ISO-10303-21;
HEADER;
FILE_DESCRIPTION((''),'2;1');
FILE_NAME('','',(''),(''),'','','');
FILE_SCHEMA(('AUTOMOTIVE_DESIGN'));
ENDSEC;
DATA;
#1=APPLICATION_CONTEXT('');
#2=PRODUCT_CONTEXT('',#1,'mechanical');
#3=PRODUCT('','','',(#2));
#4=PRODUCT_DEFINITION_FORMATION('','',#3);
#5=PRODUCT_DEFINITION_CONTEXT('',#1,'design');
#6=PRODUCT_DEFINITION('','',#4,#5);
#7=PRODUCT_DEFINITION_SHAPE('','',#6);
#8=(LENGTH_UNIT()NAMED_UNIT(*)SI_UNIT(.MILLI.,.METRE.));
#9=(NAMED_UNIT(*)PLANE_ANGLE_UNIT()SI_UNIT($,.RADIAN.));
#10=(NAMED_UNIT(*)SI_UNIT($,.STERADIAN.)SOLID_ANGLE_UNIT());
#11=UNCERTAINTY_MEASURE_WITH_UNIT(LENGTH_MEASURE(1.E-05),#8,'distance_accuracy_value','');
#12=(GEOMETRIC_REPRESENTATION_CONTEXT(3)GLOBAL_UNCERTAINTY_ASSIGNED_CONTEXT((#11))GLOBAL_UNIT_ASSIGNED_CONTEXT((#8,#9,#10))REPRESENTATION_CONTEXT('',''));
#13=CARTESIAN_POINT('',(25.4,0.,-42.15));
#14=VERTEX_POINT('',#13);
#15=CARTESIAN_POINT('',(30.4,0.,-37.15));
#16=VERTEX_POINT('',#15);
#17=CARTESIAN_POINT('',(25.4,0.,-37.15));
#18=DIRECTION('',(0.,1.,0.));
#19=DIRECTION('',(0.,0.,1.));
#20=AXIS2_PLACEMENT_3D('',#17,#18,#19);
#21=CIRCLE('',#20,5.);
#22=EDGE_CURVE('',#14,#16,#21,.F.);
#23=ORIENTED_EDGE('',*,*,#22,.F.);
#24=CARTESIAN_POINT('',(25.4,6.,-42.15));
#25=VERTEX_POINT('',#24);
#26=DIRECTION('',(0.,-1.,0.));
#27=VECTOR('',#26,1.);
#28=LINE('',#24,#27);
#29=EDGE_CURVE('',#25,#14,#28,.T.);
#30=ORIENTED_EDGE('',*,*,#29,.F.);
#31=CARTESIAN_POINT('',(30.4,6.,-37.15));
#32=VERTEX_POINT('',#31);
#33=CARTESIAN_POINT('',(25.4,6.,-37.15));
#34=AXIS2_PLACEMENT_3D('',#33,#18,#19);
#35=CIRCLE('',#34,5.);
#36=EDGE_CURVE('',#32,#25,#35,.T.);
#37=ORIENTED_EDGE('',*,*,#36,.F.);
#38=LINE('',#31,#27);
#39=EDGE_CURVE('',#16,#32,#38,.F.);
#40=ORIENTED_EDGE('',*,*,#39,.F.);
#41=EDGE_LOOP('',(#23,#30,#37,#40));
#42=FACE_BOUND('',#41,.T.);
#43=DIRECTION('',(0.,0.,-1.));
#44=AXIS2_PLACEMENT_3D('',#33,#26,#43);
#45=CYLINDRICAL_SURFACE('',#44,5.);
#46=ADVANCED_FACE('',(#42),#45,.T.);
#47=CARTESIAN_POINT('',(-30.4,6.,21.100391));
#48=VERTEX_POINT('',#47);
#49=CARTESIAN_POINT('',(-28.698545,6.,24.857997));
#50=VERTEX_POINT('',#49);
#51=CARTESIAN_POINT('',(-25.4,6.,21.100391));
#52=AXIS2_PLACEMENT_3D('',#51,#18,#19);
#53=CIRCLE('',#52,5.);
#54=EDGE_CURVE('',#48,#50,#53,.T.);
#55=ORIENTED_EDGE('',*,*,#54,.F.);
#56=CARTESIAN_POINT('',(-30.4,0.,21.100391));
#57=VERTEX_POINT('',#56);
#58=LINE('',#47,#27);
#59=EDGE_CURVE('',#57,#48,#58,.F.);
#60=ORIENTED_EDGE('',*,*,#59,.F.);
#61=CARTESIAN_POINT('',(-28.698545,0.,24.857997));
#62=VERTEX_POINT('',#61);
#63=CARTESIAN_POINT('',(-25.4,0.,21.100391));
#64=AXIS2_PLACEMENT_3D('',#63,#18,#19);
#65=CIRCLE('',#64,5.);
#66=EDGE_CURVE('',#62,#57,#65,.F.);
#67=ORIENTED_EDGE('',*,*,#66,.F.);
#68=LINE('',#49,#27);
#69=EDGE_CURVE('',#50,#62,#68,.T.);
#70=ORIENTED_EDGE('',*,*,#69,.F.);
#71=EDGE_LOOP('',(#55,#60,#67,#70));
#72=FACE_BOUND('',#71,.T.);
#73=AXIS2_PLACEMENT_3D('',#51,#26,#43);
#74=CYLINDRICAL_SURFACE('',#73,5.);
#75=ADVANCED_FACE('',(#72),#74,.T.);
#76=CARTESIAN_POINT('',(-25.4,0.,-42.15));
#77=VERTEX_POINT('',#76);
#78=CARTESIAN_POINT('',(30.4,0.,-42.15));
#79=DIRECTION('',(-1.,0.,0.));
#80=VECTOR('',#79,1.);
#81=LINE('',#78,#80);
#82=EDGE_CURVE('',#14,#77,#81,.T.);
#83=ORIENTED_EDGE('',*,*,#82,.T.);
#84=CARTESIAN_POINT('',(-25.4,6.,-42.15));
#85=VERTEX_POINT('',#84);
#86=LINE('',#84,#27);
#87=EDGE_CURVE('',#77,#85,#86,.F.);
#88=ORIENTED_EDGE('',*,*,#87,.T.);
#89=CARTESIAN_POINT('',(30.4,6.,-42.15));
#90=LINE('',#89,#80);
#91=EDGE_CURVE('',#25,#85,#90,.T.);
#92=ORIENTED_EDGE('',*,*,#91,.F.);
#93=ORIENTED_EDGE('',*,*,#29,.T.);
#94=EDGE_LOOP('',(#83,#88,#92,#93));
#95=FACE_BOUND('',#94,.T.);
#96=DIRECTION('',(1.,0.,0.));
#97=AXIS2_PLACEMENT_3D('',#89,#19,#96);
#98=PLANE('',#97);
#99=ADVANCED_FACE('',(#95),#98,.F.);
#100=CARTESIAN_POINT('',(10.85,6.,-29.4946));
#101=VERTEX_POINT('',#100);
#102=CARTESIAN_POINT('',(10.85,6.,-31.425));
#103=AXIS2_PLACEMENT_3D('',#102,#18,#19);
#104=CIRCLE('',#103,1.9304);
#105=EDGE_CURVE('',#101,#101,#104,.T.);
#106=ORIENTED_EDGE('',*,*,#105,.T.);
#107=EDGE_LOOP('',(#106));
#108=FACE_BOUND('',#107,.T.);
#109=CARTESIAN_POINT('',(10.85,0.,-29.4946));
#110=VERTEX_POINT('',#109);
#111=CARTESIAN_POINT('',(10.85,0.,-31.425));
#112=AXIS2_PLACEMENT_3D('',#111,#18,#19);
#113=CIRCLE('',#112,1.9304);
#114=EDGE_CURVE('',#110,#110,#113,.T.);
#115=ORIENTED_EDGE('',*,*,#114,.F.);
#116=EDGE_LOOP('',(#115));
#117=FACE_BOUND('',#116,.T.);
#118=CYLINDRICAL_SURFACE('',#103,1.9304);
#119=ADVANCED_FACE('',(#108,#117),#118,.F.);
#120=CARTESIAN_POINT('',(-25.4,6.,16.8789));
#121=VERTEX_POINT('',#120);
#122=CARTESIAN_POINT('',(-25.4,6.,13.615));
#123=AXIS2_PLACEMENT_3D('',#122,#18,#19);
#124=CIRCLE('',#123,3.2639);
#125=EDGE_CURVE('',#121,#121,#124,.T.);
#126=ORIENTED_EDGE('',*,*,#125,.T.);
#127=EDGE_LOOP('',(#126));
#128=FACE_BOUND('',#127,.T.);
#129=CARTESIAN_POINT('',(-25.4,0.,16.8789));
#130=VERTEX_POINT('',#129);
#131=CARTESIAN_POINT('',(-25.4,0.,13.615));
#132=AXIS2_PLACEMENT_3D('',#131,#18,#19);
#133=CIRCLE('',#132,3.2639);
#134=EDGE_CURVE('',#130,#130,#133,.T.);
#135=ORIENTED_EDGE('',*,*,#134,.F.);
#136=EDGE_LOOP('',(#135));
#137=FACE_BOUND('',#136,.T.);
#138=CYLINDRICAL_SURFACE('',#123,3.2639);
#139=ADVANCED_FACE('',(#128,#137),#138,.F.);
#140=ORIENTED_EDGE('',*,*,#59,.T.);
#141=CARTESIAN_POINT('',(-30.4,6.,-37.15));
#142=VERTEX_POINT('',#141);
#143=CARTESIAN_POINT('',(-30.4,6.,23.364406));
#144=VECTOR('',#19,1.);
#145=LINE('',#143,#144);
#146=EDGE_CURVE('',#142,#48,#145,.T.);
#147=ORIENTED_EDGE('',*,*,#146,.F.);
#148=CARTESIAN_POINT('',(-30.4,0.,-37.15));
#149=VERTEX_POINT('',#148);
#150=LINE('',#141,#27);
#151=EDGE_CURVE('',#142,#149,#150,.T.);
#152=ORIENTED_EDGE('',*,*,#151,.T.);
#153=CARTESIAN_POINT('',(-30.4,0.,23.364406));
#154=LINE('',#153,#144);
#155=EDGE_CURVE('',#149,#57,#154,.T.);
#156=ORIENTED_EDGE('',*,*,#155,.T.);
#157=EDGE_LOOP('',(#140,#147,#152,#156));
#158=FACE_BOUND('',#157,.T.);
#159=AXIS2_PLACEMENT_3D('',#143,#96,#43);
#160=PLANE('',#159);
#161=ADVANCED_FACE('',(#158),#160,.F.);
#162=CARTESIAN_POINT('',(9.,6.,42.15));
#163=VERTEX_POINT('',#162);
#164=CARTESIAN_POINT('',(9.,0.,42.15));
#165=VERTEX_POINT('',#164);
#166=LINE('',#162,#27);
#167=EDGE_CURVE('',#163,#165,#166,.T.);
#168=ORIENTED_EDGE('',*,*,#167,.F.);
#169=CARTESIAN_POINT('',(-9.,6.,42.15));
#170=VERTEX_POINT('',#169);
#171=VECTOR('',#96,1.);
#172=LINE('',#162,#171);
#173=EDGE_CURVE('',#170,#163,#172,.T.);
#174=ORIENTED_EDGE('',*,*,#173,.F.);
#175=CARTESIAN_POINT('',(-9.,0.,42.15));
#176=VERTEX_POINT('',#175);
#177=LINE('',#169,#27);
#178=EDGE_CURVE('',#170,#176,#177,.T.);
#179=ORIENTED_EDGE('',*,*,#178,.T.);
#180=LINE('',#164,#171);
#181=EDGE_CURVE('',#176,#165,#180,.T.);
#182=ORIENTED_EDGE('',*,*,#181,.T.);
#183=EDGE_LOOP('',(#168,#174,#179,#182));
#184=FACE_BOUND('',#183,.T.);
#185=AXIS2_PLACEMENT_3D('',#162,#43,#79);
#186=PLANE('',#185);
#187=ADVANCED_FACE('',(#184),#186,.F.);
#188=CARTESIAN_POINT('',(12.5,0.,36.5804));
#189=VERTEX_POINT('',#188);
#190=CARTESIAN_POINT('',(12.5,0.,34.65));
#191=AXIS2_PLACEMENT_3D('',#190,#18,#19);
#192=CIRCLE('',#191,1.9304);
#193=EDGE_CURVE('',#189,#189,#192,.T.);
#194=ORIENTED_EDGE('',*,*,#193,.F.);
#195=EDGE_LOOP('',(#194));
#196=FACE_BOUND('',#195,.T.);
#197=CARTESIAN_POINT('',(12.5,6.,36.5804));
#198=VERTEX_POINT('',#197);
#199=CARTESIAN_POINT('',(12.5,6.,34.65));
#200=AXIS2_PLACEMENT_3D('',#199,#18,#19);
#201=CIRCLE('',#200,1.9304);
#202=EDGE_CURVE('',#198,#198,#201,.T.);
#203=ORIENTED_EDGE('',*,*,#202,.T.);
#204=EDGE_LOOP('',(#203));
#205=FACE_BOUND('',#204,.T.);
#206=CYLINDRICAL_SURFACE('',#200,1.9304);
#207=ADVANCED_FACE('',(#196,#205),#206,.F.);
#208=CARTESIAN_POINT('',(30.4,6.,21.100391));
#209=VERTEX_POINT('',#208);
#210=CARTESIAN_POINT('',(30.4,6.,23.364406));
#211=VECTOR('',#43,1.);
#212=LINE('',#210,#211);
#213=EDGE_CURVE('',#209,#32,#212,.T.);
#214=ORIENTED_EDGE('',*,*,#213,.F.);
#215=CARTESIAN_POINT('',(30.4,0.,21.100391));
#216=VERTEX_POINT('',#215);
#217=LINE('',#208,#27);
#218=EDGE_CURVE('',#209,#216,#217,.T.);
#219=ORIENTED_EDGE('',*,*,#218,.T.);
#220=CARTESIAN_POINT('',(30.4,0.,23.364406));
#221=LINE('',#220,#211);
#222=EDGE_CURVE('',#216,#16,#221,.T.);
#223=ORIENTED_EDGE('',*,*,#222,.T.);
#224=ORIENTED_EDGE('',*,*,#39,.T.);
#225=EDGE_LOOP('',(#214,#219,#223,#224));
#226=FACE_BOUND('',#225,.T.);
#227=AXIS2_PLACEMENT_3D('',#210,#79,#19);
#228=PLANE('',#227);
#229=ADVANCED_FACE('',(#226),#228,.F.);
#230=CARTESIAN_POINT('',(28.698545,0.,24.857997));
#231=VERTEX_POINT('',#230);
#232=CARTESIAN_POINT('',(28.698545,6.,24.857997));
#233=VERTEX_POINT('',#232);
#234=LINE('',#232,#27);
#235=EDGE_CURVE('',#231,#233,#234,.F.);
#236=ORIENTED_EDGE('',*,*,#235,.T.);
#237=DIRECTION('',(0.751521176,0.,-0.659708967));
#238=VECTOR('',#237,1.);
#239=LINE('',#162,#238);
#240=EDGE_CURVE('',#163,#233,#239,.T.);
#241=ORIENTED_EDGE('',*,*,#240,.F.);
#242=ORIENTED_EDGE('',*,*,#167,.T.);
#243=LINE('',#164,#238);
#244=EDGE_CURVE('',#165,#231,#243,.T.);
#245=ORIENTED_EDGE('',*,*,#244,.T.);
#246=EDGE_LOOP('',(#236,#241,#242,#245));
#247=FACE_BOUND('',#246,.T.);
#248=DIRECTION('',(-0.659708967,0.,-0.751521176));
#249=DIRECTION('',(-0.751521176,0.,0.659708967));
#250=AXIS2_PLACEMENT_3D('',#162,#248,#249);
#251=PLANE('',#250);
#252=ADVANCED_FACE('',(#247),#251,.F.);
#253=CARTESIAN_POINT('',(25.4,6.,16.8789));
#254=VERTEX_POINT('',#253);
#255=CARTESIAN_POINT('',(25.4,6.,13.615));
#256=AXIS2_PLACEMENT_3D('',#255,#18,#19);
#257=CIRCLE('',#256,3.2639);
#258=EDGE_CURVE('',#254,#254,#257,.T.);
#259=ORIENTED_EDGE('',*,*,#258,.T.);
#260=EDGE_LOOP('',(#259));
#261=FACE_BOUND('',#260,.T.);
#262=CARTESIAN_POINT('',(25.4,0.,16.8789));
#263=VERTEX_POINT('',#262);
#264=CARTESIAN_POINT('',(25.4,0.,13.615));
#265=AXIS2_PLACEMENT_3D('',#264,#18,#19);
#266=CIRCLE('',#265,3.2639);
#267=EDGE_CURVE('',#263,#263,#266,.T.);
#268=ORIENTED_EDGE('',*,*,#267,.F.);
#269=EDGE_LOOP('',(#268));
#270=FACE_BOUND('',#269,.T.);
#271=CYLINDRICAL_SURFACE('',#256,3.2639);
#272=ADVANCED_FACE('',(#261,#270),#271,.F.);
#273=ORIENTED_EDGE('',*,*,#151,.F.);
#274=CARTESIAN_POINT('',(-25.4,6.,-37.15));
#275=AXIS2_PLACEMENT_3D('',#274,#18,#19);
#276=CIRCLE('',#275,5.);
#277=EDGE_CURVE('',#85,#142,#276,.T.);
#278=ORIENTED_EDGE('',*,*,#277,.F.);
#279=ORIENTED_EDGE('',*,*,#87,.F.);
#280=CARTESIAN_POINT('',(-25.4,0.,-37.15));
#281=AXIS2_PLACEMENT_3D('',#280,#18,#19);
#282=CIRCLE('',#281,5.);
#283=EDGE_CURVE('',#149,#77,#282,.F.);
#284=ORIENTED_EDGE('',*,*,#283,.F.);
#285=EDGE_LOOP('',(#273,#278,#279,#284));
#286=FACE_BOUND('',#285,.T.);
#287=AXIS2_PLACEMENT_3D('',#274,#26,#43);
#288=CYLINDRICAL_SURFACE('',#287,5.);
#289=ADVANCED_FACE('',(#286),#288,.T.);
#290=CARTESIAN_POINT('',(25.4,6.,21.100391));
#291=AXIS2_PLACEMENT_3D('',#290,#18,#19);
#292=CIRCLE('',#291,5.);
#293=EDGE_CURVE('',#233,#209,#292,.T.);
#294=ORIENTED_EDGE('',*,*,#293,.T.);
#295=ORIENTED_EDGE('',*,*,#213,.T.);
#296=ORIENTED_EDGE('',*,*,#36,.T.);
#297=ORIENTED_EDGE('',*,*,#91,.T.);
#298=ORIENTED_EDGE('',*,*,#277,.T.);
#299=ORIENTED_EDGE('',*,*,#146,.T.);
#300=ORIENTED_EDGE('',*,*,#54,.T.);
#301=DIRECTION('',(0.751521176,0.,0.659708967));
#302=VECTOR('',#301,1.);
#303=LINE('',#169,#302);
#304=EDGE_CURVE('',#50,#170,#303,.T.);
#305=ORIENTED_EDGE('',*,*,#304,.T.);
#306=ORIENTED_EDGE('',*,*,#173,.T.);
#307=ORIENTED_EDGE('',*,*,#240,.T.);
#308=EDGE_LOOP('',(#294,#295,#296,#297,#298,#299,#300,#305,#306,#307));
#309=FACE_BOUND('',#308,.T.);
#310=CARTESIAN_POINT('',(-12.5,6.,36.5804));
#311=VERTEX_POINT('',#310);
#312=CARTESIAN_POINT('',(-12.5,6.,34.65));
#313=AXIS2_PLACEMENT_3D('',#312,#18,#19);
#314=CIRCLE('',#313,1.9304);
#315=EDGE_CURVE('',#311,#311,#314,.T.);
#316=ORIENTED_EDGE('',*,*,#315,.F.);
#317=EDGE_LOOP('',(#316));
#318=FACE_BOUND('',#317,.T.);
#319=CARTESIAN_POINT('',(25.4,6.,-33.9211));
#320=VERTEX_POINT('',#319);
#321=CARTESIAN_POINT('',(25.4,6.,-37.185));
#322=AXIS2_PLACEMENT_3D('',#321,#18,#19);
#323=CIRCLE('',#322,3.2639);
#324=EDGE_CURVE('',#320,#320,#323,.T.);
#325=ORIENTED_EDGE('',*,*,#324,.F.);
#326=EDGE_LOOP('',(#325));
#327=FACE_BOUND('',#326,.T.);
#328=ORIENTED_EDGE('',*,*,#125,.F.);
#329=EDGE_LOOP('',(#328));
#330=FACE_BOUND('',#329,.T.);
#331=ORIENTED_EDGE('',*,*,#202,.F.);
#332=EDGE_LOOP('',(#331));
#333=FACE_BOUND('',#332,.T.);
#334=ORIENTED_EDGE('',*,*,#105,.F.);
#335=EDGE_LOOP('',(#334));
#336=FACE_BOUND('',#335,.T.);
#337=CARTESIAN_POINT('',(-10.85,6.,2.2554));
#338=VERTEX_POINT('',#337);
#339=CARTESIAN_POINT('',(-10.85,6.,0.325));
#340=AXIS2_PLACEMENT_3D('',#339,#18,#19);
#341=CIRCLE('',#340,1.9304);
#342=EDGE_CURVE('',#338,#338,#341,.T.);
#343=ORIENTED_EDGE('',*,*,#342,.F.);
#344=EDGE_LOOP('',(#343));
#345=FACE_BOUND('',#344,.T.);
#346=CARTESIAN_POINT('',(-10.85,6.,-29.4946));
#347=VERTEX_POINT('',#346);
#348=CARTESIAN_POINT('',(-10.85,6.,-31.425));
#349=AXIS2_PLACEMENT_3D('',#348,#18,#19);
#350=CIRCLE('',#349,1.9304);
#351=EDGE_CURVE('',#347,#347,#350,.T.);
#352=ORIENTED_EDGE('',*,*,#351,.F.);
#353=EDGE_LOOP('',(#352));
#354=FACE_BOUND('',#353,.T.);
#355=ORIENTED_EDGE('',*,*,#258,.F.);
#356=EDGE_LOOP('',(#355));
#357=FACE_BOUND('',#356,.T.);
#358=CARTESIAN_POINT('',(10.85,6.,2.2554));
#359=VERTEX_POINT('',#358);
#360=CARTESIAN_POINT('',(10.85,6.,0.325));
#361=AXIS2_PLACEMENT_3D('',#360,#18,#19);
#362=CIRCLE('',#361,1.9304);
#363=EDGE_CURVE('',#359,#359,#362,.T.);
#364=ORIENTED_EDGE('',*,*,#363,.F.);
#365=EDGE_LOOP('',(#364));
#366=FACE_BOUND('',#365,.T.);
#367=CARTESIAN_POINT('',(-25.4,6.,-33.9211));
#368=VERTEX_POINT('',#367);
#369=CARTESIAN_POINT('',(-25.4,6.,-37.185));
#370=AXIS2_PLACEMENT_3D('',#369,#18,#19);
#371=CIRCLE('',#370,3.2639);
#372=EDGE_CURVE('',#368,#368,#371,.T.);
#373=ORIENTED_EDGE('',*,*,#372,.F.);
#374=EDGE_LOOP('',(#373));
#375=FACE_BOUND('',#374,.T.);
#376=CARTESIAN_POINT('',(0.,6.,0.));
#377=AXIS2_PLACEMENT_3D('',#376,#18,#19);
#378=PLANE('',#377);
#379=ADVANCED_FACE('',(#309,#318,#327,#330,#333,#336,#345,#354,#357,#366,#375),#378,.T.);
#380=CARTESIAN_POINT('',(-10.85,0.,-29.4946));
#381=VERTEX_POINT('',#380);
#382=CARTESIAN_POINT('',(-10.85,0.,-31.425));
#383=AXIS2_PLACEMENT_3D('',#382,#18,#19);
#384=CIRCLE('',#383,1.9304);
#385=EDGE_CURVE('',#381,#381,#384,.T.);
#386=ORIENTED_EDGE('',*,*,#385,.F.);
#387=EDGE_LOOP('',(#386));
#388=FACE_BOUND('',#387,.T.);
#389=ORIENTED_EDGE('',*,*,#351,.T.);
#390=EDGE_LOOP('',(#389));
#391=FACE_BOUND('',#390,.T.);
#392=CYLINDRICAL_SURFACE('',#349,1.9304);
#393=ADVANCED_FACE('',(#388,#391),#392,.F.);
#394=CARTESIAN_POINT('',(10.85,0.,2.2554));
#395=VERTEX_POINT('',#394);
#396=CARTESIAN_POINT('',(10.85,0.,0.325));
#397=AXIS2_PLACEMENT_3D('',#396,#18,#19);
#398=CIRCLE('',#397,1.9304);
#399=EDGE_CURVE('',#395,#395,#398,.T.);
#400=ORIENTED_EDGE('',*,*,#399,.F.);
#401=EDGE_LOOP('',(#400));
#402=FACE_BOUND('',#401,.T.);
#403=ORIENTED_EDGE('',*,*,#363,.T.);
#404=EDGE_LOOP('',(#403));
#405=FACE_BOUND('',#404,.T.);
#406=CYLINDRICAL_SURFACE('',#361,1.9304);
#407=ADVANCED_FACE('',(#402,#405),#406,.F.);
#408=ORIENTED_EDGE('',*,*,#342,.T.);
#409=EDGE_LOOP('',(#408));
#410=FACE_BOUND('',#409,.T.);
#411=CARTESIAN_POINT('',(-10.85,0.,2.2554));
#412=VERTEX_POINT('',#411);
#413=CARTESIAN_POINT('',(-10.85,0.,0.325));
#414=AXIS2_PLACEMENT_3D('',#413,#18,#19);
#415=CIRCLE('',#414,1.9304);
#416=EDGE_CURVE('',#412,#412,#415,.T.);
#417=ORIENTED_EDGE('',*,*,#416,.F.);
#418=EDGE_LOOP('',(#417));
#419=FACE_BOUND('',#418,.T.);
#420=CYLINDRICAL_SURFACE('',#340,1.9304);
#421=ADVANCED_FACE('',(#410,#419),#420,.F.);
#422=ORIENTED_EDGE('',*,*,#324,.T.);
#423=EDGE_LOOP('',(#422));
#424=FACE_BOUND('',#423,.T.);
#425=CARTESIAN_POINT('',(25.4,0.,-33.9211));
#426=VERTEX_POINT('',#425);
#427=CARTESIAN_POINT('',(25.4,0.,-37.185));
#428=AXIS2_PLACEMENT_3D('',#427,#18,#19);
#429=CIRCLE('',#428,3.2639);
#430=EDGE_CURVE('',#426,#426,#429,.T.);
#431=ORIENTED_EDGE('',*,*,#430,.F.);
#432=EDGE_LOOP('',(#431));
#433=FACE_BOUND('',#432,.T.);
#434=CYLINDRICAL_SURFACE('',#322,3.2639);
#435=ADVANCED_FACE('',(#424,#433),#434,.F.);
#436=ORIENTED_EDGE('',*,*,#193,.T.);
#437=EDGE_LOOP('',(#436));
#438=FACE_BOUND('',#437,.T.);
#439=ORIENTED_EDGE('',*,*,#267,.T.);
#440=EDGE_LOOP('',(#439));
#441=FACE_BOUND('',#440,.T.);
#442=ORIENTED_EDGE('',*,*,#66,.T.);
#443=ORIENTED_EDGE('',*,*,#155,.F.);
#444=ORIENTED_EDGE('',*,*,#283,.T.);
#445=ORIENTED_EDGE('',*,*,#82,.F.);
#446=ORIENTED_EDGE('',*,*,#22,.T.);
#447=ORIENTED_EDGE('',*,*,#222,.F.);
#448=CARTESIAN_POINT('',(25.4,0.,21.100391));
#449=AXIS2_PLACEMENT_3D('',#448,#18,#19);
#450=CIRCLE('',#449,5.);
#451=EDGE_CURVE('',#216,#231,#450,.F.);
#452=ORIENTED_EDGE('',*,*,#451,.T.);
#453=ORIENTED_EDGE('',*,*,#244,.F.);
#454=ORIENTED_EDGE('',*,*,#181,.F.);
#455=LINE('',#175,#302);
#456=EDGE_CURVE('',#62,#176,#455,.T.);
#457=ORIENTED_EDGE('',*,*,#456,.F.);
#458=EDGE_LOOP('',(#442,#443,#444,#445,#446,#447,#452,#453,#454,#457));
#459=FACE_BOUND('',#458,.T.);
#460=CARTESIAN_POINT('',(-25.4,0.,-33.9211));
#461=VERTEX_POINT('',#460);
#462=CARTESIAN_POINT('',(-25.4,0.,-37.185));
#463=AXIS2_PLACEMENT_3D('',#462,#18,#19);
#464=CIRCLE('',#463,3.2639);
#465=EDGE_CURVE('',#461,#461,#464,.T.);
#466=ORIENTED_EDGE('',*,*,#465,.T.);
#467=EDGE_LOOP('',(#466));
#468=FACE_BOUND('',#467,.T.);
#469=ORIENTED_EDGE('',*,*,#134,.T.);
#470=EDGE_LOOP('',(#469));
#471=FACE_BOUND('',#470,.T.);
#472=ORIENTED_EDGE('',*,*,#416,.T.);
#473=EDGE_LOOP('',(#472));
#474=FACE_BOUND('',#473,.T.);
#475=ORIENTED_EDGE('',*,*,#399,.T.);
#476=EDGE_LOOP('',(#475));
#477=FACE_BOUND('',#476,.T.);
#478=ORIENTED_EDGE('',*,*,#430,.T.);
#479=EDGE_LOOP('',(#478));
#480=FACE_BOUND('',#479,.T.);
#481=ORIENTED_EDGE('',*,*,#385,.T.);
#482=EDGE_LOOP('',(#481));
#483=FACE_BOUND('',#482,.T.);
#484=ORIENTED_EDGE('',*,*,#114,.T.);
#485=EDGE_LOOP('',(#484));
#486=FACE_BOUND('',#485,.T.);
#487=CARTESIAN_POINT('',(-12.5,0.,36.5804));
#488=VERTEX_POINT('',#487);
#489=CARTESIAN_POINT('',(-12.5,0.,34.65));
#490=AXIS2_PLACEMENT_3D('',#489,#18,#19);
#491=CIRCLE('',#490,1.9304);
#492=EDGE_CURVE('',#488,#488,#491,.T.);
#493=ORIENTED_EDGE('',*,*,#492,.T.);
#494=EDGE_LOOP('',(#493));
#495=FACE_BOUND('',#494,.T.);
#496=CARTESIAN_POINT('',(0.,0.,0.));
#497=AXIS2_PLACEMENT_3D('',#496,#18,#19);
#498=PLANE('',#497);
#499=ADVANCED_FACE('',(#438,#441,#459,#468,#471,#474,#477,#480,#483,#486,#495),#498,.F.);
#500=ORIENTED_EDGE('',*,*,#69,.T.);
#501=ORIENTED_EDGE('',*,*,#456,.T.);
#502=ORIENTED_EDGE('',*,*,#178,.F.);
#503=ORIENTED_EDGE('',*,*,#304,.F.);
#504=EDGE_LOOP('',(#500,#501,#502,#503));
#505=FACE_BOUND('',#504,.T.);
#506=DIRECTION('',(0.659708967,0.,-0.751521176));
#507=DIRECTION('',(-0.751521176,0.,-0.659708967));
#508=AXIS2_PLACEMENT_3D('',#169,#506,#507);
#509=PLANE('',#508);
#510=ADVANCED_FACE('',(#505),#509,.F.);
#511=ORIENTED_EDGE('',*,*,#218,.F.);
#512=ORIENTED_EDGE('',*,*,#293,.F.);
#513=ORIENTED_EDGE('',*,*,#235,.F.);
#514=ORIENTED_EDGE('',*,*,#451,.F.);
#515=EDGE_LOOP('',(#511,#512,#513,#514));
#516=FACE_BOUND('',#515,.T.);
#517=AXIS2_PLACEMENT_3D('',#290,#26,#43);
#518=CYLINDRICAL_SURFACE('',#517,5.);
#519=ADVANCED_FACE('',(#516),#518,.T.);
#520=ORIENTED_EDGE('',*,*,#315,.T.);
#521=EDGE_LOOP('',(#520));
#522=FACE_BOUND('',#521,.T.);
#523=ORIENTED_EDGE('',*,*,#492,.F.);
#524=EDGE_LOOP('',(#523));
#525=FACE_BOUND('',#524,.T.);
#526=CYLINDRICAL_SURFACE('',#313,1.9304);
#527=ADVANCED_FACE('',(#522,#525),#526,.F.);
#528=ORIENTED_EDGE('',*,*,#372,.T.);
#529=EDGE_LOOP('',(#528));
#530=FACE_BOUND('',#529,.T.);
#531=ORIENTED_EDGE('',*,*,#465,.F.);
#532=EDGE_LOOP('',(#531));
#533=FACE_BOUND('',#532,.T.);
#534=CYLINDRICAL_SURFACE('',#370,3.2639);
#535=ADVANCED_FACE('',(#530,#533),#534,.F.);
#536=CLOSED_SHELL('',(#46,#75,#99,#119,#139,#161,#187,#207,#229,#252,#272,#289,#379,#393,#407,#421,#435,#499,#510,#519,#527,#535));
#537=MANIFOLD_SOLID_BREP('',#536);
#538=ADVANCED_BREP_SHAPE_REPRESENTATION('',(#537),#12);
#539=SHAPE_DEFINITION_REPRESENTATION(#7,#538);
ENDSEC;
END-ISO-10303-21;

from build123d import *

# Parameters (mm, degrees)
BOSS_EXTRUDE1_DEPTH         = 6
FILLET1_R                   = 5
F_24_0_152_DIAMETER_HOLE1_D = 3.8608
F_0_257_DIAMETER_HOLE1_D    = 6.5278


with BuildPart() as part:
    # Sketch1 → Boss-Extrude1 (new body)
    with BuildSketch(Plane(origin=(0, 0, 0), x_dir=(1, 0, 0), z_dir=(0, 1, 0))):
        Polygon((-9, -42.15), (-30.4, -23.364405734), (-30.4, 42.15), (30.4, 42.15), (30.4, -23.364405734), (9, -42.15), align=None)
    extrude(amount=BOSS_EXTRUDE1_DEPTH)

    # Fillet1
    fillet1_edges = [part.edges().sort_by_distance(p)[0] for p in [
        (-30.4, 3, -42.15),
        (30.4, 3, -42.15),
        (30.4, 3, 23.364405734),
        (-30.4, 3, 23.364405734),
    ]]
    fillet(fillet1_edges, radius=FILLET1_R)

    # #24 (0.152) Diameter Hole1 (through all)
    with Locations(Plane(origin=(0, 6, 0), x_dir=(1, 0, 0), z_dir=(0, 1, 0))):
        with Locations((10.85, -0.325), (-10.85, -0.325), (-10.85, 31.425), (10.85, 31.425), (12.5, -34.65), (-12.5, -34.65)):
            Hole(F_24_0_152_DIAMETER_HOLE1_D / 2)

    # F (0.257) Diameter Hole1 (through all)
    with Locations(Plane(origin=(0, 6, 0), x_dir=(1, 0, 0), z_dir=(0, 1, 0))):
        with Locations((25.4, 37.185), (-25.4, 37.185), (-25.4, -13.615), (25.4, -13.615)):
            Hole(F_0_257_DIAMETER_HOLE1_D / 2)


solid = part.part
